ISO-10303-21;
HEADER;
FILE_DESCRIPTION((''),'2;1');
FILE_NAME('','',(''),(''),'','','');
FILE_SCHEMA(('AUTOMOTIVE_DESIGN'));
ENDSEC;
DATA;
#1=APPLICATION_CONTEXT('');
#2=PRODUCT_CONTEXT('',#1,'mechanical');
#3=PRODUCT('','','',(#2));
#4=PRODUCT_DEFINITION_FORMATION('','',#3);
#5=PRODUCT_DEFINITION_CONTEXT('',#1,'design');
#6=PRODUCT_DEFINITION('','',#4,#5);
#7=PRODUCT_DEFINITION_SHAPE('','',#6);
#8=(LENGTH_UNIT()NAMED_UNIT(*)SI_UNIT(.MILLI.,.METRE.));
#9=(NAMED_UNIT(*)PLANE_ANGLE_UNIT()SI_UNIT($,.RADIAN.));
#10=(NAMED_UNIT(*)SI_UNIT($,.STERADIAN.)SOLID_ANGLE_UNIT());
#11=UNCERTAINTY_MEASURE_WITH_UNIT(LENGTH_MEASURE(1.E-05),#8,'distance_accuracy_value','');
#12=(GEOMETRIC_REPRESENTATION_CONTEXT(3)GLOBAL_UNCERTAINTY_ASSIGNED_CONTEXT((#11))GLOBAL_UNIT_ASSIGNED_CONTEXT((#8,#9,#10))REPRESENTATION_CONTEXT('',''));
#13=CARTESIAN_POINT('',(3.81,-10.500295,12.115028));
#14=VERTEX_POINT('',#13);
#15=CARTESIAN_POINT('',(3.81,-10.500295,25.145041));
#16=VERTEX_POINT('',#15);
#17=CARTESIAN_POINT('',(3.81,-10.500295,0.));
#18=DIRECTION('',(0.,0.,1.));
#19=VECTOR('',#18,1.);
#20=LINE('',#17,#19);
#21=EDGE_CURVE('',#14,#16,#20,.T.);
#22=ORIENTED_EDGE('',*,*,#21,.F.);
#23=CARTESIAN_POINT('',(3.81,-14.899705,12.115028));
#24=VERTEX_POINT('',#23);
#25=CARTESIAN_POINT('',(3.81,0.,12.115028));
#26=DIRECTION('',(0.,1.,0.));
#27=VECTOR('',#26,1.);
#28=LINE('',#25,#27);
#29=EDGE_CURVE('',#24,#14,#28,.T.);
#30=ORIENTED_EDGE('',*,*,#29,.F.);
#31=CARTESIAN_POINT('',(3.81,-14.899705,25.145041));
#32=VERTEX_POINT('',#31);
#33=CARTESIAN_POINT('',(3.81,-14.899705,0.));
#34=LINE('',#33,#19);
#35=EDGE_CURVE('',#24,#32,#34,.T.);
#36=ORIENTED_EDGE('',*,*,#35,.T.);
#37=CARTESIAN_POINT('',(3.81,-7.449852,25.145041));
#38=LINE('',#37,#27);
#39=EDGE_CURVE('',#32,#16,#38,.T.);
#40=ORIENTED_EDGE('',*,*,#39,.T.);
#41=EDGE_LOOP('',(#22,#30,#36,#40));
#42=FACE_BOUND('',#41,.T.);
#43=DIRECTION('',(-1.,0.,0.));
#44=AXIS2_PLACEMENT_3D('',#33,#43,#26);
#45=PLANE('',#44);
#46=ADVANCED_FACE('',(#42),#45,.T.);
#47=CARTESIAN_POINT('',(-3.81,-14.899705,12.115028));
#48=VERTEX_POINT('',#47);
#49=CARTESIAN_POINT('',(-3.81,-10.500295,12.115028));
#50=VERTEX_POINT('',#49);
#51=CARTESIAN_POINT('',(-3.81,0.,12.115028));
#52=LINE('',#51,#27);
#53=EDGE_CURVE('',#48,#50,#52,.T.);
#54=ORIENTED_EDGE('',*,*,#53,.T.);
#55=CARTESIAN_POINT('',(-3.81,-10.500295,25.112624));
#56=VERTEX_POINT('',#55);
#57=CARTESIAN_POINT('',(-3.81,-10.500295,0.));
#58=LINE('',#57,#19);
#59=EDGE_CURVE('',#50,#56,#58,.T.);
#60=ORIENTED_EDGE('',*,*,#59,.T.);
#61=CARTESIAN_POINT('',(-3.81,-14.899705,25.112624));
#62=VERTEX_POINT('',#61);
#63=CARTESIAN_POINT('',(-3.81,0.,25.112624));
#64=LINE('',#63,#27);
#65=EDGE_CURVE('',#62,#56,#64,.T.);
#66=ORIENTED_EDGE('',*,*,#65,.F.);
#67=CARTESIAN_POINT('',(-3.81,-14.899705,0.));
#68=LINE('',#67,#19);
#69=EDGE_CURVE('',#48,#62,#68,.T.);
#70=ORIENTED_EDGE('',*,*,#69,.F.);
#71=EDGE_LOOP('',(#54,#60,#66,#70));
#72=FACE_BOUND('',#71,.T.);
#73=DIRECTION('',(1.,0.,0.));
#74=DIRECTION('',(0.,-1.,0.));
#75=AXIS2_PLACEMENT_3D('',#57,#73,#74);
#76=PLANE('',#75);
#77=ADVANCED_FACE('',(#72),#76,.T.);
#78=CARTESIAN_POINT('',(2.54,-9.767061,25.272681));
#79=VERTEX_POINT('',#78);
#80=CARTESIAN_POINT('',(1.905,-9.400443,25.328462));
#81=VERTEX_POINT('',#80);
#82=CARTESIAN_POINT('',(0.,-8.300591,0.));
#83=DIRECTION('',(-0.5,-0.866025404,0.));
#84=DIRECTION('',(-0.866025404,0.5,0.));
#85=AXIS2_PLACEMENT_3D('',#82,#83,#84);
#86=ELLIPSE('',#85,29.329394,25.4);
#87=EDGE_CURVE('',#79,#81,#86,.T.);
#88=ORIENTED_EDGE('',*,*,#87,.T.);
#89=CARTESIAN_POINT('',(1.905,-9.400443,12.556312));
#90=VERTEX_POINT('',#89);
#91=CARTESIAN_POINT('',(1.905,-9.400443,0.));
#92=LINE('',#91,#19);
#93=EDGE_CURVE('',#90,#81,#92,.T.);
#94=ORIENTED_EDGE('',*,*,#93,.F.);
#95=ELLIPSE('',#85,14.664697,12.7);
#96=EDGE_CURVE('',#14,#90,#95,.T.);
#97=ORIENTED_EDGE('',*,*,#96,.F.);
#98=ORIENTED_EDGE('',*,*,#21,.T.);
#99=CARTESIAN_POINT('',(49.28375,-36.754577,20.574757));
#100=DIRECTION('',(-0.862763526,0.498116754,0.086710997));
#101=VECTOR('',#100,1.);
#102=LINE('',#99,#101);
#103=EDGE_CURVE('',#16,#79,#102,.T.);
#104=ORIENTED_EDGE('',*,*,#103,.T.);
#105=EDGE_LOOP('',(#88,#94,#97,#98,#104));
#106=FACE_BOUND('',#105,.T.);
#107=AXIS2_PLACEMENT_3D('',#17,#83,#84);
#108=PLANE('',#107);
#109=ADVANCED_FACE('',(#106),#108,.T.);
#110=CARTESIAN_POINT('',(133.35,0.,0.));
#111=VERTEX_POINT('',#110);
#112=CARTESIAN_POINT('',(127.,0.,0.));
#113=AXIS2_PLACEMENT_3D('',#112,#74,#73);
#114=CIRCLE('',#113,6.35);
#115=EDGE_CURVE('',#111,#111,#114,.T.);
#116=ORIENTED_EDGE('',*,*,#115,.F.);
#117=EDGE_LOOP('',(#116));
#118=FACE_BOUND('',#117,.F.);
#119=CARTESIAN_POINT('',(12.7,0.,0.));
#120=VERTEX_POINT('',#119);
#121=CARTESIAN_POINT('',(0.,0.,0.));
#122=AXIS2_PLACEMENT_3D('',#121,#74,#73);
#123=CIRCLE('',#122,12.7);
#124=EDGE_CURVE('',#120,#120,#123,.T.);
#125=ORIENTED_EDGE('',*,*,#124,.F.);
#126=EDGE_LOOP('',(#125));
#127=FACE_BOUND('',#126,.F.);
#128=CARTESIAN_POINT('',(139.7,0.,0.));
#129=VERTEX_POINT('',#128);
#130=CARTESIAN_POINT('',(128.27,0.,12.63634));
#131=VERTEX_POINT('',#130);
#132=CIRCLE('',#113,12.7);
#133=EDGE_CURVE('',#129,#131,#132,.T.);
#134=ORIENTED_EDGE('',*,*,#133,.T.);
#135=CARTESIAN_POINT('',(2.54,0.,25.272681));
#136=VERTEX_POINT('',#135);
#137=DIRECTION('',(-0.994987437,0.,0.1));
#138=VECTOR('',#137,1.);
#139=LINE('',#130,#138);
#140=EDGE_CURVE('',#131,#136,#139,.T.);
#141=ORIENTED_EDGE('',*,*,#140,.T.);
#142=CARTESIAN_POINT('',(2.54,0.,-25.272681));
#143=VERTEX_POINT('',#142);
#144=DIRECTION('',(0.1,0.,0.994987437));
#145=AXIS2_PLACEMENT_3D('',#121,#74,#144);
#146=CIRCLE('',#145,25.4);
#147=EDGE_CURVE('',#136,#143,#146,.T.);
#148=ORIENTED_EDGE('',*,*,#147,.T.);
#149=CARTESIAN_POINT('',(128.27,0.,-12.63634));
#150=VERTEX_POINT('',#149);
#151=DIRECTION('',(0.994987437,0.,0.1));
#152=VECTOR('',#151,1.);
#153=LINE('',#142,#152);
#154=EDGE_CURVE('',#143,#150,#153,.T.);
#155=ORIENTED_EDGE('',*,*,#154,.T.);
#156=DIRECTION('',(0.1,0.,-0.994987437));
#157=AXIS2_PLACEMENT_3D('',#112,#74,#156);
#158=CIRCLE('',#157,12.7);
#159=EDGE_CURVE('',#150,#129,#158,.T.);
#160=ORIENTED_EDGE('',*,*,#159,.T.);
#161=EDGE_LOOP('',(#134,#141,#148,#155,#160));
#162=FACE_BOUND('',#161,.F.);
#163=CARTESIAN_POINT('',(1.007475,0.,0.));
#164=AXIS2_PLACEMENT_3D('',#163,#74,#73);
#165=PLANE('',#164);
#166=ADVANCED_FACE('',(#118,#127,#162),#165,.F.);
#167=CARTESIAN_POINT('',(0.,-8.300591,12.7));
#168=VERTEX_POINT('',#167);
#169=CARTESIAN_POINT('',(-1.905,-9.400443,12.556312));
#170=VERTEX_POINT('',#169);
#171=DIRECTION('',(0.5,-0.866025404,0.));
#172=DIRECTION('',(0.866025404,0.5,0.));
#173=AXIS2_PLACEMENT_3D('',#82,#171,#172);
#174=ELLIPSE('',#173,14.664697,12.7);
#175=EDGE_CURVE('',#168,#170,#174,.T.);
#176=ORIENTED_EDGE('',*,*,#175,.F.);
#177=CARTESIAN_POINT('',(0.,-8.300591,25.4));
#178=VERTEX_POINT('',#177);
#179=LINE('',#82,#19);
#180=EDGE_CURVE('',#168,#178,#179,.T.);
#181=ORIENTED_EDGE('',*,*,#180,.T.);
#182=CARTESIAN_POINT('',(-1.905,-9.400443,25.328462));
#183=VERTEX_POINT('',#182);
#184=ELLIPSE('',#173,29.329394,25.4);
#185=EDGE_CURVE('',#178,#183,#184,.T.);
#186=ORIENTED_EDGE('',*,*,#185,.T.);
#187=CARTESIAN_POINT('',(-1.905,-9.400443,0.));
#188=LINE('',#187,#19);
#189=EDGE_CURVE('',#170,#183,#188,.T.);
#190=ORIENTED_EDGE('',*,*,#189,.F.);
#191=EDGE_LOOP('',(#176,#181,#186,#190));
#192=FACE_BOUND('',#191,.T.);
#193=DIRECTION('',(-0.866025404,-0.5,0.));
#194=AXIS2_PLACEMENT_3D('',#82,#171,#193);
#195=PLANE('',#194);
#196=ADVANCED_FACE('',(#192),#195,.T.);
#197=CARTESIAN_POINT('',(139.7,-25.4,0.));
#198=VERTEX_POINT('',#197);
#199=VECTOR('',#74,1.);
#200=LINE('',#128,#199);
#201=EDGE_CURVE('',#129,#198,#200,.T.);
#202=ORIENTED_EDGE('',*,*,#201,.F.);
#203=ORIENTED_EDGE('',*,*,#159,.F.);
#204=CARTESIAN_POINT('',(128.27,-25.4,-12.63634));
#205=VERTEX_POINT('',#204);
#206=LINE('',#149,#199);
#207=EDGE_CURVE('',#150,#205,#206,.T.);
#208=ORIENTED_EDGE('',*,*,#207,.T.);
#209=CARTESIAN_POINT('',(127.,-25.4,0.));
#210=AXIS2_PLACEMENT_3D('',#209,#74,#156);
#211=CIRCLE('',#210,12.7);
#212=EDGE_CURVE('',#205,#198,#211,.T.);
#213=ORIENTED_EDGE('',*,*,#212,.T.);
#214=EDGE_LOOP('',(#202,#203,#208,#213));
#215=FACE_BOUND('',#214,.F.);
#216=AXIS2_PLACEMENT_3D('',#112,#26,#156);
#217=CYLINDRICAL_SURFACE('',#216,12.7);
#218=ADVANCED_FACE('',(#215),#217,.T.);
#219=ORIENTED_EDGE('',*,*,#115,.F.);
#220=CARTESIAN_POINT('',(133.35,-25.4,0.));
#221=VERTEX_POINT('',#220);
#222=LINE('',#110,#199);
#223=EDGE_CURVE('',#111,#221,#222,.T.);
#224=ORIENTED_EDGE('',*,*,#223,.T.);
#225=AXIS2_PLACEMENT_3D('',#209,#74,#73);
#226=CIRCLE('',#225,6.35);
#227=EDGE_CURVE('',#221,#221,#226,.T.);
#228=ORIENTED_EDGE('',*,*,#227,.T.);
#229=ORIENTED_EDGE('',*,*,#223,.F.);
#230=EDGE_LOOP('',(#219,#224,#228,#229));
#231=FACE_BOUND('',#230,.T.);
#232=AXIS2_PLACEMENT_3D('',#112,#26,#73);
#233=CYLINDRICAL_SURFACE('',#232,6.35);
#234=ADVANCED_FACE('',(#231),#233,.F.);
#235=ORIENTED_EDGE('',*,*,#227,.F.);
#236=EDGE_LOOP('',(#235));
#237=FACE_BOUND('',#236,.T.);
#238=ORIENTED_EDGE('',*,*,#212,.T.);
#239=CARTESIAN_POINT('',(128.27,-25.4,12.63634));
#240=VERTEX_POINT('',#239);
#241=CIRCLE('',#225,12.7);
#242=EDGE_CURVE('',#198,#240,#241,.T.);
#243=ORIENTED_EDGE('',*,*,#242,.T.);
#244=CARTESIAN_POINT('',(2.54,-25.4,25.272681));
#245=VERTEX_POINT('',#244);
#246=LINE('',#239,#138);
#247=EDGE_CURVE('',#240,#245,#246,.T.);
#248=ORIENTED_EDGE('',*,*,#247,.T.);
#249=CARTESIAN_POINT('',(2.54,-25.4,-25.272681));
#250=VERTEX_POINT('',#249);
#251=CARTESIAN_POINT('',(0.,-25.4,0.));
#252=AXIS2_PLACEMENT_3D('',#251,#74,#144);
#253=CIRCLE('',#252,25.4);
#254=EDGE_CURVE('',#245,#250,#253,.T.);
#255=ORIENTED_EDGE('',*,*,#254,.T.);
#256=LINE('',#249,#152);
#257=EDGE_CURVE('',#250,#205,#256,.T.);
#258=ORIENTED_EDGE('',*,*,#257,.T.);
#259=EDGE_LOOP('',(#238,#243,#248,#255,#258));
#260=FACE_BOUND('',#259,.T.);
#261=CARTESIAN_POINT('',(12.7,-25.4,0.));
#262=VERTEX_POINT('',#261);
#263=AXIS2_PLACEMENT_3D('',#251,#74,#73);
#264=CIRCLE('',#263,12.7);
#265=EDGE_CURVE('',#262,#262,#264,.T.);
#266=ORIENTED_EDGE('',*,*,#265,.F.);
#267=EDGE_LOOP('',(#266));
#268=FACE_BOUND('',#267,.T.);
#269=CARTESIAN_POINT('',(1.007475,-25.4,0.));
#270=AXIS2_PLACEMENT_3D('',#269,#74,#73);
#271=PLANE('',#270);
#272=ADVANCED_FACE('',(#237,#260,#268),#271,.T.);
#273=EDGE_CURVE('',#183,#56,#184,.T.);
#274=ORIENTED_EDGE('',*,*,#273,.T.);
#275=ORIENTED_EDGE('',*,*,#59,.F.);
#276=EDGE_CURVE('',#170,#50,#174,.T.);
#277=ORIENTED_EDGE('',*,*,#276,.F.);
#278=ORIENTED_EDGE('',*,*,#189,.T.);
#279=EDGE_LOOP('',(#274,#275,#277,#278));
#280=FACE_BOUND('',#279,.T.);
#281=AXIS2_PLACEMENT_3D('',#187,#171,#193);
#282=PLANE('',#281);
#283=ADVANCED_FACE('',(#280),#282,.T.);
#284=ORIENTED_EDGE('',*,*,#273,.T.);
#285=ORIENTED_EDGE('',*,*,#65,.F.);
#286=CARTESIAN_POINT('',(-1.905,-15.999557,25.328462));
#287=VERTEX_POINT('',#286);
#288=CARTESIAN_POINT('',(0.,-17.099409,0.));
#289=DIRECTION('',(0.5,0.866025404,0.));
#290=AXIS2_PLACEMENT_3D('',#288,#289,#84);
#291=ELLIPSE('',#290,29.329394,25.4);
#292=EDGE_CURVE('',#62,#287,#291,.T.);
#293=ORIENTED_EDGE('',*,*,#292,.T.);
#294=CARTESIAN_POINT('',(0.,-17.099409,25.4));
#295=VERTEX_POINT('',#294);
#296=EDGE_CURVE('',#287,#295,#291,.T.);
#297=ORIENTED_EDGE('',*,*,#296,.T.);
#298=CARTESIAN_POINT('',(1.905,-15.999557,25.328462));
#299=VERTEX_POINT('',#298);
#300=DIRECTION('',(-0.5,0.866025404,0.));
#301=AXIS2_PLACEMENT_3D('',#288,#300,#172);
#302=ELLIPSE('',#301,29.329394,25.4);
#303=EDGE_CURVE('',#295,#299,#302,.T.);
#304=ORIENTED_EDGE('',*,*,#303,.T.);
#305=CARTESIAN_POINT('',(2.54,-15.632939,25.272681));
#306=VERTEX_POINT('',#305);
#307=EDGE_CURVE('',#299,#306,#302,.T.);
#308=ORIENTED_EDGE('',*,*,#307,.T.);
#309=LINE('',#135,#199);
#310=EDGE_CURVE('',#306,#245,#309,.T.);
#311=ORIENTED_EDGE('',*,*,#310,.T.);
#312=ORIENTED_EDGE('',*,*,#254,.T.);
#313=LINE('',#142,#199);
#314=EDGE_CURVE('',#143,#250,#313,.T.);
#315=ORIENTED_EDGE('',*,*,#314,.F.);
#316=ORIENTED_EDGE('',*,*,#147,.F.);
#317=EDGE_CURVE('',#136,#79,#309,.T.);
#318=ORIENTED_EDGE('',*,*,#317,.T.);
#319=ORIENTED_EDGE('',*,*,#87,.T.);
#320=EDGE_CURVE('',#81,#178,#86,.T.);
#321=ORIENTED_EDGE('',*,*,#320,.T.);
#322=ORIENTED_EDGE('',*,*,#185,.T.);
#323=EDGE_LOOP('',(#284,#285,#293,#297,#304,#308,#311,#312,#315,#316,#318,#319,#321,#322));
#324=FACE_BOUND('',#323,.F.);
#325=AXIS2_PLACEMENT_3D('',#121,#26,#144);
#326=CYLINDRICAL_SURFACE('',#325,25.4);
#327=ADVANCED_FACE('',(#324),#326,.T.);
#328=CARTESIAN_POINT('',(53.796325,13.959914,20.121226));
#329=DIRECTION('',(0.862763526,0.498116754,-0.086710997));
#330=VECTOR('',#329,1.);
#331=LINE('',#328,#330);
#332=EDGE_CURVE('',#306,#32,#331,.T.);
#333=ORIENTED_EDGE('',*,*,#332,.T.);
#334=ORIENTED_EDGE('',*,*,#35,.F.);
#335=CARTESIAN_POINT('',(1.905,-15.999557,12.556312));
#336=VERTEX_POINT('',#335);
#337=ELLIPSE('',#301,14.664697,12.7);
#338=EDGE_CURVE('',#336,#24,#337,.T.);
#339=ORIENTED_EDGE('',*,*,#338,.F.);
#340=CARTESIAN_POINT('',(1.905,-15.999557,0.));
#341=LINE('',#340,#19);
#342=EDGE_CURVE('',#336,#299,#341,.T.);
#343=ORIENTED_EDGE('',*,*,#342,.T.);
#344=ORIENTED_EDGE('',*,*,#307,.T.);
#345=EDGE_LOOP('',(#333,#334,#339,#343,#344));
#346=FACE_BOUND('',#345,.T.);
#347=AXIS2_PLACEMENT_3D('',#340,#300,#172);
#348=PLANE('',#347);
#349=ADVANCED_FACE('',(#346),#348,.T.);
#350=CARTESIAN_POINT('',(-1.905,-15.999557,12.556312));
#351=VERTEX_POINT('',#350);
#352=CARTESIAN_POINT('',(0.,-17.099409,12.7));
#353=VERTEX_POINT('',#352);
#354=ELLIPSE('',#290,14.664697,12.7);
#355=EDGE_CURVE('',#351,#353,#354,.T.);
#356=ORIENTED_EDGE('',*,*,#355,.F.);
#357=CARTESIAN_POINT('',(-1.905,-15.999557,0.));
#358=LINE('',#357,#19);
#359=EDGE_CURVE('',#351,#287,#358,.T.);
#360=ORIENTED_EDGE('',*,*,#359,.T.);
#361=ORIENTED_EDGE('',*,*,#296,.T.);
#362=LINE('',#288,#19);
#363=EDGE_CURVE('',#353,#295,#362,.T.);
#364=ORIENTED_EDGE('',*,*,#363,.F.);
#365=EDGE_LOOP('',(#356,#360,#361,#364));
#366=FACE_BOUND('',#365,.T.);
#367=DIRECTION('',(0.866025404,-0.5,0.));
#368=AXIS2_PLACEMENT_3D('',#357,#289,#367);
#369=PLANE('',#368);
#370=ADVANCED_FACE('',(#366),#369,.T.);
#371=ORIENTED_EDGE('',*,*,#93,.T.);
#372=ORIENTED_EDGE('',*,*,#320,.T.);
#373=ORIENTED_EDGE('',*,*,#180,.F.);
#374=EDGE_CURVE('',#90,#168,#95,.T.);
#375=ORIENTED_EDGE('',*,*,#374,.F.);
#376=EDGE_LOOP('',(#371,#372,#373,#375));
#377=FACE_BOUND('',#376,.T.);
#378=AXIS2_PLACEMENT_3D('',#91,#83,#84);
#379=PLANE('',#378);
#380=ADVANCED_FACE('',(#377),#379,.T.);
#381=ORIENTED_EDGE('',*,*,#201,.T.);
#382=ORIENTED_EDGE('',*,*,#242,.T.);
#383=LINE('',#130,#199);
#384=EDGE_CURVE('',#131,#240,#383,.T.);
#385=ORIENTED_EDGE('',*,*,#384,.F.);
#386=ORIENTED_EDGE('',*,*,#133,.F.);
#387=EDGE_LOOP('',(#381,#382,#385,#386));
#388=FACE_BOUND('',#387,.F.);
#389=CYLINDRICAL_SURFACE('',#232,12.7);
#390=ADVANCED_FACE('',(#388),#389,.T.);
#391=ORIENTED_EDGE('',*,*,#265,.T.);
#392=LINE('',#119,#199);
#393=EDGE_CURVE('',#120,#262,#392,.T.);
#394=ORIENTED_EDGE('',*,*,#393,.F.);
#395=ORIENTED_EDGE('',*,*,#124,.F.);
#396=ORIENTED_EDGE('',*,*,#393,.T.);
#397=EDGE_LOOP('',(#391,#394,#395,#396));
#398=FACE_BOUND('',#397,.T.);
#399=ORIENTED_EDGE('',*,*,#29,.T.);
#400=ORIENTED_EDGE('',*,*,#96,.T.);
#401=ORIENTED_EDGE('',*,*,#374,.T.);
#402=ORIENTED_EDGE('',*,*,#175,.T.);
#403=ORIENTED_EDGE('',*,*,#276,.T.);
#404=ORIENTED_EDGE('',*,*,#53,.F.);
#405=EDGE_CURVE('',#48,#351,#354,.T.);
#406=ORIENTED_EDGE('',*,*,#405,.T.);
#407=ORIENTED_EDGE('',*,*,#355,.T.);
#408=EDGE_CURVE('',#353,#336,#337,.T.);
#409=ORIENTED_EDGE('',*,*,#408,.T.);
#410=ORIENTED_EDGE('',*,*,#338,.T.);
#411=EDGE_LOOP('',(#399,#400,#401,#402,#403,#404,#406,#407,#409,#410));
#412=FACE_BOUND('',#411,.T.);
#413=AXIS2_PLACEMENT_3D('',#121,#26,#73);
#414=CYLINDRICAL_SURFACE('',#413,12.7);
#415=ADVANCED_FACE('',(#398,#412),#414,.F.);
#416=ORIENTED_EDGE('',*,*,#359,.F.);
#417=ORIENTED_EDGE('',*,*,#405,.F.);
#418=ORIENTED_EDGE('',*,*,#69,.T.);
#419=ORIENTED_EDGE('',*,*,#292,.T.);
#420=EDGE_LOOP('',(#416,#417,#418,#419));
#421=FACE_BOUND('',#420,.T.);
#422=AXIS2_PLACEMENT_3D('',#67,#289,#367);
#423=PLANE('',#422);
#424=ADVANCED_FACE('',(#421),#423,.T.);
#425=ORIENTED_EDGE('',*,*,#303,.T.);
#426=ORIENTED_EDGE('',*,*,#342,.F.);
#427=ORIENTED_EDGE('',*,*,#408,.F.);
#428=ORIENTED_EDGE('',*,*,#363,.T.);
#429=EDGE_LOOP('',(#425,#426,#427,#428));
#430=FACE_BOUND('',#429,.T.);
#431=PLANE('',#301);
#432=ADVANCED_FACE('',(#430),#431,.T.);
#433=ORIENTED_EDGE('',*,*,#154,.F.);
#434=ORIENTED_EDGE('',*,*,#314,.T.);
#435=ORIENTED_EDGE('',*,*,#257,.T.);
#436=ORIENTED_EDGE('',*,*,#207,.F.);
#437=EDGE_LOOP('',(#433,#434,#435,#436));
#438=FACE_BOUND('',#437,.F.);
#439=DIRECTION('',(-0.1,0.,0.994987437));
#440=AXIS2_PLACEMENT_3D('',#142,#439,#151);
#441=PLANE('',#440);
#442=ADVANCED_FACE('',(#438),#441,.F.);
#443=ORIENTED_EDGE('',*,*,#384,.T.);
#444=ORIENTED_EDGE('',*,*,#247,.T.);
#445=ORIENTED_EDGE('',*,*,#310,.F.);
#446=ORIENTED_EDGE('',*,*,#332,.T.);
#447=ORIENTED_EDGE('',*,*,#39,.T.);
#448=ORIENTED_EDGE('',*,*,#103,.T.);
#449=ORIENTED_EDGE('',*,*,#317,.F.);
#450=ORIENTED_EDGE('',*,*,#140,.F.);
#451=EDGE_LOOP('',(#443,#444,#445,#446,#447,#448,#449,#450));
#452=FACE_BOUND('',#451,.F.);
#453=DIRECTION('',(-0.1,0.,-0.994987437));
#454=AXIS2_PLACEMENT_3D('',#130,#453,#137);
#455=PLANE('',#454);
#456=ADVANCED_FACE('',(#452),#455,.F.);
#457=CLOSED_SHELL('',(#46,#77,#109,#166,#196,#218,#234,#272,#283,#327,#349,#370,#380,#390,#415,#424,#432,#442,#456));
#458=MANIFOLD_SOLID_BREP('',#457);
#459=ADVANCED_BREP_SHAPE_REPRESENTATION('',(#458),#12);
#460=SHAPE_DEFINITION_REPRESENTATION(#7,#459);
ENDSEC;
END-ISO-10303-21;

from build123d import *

# Parameters (mm, degrees)
F0_R     = 12.7
F0_R_2   = 6.35
F1_DEPTH = 25.4
F3_DEPTH = 36.576


with BuildPart() as f1:
    # F0 (on Front) → F1 (new body)
    with BuildSketch(Plane.XZ):
        with BuildLine():
            ThreePointArc((2.54, -25.2726809025), (18.8371441572, -17.0388379885), (25.4, 0))
            ThreePointArc((25.4, 0), (18.8371441572, 17.0388379885), (2.54, 25.2726809025))
            ThreePointArc((2.54, 25.2726809025), (-25.4, 0), (2.54, -25.2726809025))
        make_face()
        Circle(F0_R, mode=Mode.SUBTRACT)
        with BuildLine():
            ThreePointArc((2.54, 25.2726809025), (18.8371441572, 17.0388379885), (25.4, 0))
            ThreePointArc((25.4, 0), (18.8371441572, -17.0388379885), (2.54, -25.2726809025))
            Line((2.54, -25.2726809025), (128.27, -12.6363404513))
            ThreePointArc((128.27, -12.6363404513), (114.3, 0), (128.27, 12.6363404513))
            Line((128.27, 12.6363404513), (2.54, 25.2726809025))
        make_face()
        with BuildLine():
            ThreePointArc((139.7, 0), (136.4185720786, 8.5194189943), (128.27, 12.6363404513))
            ThreePointArc((128.27, 12.6363404513), (114.3, 0), (128.27, -12.6363404513))
            ThreePointArc((128.27, -12.6363404513), (136.4185720786, -8.5194189943), (139.7, 0))
        make_face()
        with Locations((127, 0)):
            Circle(F0_R_2, mode=Mode.SUBTRACT)
    extrude(amount=F1_DEPTH)

    # F2 (on Top) → F3 (cut)
    with BuildSketch(Plane.XY):
        with BuildLine():
            Line((1.9050001585, -9.4004433031), (0, -8.3005909488))
            Line((0, -8.3005909488), (0, -8.89))
            ThreePointArc((0, -8.89), (0.9861006502, -9.0198226255), (1.9050001585, -9.4004433031))
        make_face()
        with BuildLine():
            Line((0, -8.89), (0, -8.3005909488))
            Line((0, -8.3005909488), (-1.9050001585, -9.4004433031))
            ThreePointArc((-1.9050001585, -9.4004433031), (-0.9861006502, -9.0198226255), (0, -8.89))
        make_face()
        with BuildLine():
            ThreePointArc((1.9050001585, -9.4004433031), (0.9861006502, -9.0198226255), (0, -8.89))
            Line((0, -8.89), (0, -16.51))
            ThreePointArc((0, -16.51), (0.9861005829, -16.3801773925), (1.9050000377, -15.9995567667))
            ThreePointArc((1.9050000377, -15.9995567667), (3.2995567993, -14.6049999812), (3.81, -12.7))
            ThreePointArc((3.81, -12.7), (3.2995568342, -10.7950000792), (1.9050001585, -9.4004433031))
        make_face()
        with BuildLine():
            Line((0, -16.51), (0, -8.89))
            ThreePointArc((0, -8.89), (-0.9861006502, -9.0198226255), (-1.9050001585, -9.4004433031))
            ThreePointArc((-1.9050001585, -9.4004433031), (-3.2995568342, -10.7950000792), (-3.81, -12.7))
            ThreePointArc((-3.81, -12.7), (-3.2995567987, -14.6049999821), (-1.9050000357, -15.9995567678))
            ThreePointArc((-1.9050000357, -15.9995567678), (-0.9861005818, -16.3801773928), (0, -16.51))
        make_face()
        with BuildLine():
            ThreePointArc((-3.81, -12.7), (-3.2995568342, -10.7950000792), (-1.9050001585, -9.4004433031))
            Line((-1.9050001585, -9.4004433031), (-3.81, -10.5002954744))
            Line((-3.81, -10.5002954744), (-3.81, -12.7))
        make_face()
        with BuildLine():
            Line((3.81, -10.5002954744), (1.9050001585, -9.4004433031))
            ThreePointArc((1.9050001585, -9.4004433031), (3.2995568342, -10.7950000792), (3.81, -12.7))
            Line((3.81, -12.7), (3.81, -10.5002954744))
        make_face()
        with BuildLine():
            ThreePointArc((1.9050000377, -15.9995567667), (0.9861005829, -16.3801773925), (0, -16.51))
            Line((0, -16.51), (0, -17.0994090512))
            Line((0, -17.0994090512), (1.9050000377, -15.9995567667))
        make_face()
        with BuildLine():
            Line((0, -17.0994090512), (0, -16.51))
            ThreePointArc((0, -16.51), (-0.9861005818, -16.3801773928), (-1.9050000357, -15.9995567678))
            Line((-1.9050000357, -15.9995567678), (0, -17.0994090512))
        make_face()
        with BuildLine():
            ThreePointArc((-1.9050000357, -15.9995567678), (-3.2995567987, -14.6049999821), (-3.81, -12.7))
            Line((-3.81, -12.7), (-3.81, -14.8997045256))
            Line((-3.81, -14.8997045256), (-1.9050000357, -15.9995567678))
        make_face()
        with BuildLine():
            Line((3.81, -14.8997045256), (3.81, -12.7))
            ThreePointArc((3.81, -12.7), (3.2995567993, -14.6049999812), (1.9050000377, -15.9995567667))
            Line((1.9050000377, -15.9995567667), (3.81, -14.8997045256))
        make_face()
    extrude(amount=F3_DEPTH, mode=Mode.SUBTRACT)


solid = f1.part
